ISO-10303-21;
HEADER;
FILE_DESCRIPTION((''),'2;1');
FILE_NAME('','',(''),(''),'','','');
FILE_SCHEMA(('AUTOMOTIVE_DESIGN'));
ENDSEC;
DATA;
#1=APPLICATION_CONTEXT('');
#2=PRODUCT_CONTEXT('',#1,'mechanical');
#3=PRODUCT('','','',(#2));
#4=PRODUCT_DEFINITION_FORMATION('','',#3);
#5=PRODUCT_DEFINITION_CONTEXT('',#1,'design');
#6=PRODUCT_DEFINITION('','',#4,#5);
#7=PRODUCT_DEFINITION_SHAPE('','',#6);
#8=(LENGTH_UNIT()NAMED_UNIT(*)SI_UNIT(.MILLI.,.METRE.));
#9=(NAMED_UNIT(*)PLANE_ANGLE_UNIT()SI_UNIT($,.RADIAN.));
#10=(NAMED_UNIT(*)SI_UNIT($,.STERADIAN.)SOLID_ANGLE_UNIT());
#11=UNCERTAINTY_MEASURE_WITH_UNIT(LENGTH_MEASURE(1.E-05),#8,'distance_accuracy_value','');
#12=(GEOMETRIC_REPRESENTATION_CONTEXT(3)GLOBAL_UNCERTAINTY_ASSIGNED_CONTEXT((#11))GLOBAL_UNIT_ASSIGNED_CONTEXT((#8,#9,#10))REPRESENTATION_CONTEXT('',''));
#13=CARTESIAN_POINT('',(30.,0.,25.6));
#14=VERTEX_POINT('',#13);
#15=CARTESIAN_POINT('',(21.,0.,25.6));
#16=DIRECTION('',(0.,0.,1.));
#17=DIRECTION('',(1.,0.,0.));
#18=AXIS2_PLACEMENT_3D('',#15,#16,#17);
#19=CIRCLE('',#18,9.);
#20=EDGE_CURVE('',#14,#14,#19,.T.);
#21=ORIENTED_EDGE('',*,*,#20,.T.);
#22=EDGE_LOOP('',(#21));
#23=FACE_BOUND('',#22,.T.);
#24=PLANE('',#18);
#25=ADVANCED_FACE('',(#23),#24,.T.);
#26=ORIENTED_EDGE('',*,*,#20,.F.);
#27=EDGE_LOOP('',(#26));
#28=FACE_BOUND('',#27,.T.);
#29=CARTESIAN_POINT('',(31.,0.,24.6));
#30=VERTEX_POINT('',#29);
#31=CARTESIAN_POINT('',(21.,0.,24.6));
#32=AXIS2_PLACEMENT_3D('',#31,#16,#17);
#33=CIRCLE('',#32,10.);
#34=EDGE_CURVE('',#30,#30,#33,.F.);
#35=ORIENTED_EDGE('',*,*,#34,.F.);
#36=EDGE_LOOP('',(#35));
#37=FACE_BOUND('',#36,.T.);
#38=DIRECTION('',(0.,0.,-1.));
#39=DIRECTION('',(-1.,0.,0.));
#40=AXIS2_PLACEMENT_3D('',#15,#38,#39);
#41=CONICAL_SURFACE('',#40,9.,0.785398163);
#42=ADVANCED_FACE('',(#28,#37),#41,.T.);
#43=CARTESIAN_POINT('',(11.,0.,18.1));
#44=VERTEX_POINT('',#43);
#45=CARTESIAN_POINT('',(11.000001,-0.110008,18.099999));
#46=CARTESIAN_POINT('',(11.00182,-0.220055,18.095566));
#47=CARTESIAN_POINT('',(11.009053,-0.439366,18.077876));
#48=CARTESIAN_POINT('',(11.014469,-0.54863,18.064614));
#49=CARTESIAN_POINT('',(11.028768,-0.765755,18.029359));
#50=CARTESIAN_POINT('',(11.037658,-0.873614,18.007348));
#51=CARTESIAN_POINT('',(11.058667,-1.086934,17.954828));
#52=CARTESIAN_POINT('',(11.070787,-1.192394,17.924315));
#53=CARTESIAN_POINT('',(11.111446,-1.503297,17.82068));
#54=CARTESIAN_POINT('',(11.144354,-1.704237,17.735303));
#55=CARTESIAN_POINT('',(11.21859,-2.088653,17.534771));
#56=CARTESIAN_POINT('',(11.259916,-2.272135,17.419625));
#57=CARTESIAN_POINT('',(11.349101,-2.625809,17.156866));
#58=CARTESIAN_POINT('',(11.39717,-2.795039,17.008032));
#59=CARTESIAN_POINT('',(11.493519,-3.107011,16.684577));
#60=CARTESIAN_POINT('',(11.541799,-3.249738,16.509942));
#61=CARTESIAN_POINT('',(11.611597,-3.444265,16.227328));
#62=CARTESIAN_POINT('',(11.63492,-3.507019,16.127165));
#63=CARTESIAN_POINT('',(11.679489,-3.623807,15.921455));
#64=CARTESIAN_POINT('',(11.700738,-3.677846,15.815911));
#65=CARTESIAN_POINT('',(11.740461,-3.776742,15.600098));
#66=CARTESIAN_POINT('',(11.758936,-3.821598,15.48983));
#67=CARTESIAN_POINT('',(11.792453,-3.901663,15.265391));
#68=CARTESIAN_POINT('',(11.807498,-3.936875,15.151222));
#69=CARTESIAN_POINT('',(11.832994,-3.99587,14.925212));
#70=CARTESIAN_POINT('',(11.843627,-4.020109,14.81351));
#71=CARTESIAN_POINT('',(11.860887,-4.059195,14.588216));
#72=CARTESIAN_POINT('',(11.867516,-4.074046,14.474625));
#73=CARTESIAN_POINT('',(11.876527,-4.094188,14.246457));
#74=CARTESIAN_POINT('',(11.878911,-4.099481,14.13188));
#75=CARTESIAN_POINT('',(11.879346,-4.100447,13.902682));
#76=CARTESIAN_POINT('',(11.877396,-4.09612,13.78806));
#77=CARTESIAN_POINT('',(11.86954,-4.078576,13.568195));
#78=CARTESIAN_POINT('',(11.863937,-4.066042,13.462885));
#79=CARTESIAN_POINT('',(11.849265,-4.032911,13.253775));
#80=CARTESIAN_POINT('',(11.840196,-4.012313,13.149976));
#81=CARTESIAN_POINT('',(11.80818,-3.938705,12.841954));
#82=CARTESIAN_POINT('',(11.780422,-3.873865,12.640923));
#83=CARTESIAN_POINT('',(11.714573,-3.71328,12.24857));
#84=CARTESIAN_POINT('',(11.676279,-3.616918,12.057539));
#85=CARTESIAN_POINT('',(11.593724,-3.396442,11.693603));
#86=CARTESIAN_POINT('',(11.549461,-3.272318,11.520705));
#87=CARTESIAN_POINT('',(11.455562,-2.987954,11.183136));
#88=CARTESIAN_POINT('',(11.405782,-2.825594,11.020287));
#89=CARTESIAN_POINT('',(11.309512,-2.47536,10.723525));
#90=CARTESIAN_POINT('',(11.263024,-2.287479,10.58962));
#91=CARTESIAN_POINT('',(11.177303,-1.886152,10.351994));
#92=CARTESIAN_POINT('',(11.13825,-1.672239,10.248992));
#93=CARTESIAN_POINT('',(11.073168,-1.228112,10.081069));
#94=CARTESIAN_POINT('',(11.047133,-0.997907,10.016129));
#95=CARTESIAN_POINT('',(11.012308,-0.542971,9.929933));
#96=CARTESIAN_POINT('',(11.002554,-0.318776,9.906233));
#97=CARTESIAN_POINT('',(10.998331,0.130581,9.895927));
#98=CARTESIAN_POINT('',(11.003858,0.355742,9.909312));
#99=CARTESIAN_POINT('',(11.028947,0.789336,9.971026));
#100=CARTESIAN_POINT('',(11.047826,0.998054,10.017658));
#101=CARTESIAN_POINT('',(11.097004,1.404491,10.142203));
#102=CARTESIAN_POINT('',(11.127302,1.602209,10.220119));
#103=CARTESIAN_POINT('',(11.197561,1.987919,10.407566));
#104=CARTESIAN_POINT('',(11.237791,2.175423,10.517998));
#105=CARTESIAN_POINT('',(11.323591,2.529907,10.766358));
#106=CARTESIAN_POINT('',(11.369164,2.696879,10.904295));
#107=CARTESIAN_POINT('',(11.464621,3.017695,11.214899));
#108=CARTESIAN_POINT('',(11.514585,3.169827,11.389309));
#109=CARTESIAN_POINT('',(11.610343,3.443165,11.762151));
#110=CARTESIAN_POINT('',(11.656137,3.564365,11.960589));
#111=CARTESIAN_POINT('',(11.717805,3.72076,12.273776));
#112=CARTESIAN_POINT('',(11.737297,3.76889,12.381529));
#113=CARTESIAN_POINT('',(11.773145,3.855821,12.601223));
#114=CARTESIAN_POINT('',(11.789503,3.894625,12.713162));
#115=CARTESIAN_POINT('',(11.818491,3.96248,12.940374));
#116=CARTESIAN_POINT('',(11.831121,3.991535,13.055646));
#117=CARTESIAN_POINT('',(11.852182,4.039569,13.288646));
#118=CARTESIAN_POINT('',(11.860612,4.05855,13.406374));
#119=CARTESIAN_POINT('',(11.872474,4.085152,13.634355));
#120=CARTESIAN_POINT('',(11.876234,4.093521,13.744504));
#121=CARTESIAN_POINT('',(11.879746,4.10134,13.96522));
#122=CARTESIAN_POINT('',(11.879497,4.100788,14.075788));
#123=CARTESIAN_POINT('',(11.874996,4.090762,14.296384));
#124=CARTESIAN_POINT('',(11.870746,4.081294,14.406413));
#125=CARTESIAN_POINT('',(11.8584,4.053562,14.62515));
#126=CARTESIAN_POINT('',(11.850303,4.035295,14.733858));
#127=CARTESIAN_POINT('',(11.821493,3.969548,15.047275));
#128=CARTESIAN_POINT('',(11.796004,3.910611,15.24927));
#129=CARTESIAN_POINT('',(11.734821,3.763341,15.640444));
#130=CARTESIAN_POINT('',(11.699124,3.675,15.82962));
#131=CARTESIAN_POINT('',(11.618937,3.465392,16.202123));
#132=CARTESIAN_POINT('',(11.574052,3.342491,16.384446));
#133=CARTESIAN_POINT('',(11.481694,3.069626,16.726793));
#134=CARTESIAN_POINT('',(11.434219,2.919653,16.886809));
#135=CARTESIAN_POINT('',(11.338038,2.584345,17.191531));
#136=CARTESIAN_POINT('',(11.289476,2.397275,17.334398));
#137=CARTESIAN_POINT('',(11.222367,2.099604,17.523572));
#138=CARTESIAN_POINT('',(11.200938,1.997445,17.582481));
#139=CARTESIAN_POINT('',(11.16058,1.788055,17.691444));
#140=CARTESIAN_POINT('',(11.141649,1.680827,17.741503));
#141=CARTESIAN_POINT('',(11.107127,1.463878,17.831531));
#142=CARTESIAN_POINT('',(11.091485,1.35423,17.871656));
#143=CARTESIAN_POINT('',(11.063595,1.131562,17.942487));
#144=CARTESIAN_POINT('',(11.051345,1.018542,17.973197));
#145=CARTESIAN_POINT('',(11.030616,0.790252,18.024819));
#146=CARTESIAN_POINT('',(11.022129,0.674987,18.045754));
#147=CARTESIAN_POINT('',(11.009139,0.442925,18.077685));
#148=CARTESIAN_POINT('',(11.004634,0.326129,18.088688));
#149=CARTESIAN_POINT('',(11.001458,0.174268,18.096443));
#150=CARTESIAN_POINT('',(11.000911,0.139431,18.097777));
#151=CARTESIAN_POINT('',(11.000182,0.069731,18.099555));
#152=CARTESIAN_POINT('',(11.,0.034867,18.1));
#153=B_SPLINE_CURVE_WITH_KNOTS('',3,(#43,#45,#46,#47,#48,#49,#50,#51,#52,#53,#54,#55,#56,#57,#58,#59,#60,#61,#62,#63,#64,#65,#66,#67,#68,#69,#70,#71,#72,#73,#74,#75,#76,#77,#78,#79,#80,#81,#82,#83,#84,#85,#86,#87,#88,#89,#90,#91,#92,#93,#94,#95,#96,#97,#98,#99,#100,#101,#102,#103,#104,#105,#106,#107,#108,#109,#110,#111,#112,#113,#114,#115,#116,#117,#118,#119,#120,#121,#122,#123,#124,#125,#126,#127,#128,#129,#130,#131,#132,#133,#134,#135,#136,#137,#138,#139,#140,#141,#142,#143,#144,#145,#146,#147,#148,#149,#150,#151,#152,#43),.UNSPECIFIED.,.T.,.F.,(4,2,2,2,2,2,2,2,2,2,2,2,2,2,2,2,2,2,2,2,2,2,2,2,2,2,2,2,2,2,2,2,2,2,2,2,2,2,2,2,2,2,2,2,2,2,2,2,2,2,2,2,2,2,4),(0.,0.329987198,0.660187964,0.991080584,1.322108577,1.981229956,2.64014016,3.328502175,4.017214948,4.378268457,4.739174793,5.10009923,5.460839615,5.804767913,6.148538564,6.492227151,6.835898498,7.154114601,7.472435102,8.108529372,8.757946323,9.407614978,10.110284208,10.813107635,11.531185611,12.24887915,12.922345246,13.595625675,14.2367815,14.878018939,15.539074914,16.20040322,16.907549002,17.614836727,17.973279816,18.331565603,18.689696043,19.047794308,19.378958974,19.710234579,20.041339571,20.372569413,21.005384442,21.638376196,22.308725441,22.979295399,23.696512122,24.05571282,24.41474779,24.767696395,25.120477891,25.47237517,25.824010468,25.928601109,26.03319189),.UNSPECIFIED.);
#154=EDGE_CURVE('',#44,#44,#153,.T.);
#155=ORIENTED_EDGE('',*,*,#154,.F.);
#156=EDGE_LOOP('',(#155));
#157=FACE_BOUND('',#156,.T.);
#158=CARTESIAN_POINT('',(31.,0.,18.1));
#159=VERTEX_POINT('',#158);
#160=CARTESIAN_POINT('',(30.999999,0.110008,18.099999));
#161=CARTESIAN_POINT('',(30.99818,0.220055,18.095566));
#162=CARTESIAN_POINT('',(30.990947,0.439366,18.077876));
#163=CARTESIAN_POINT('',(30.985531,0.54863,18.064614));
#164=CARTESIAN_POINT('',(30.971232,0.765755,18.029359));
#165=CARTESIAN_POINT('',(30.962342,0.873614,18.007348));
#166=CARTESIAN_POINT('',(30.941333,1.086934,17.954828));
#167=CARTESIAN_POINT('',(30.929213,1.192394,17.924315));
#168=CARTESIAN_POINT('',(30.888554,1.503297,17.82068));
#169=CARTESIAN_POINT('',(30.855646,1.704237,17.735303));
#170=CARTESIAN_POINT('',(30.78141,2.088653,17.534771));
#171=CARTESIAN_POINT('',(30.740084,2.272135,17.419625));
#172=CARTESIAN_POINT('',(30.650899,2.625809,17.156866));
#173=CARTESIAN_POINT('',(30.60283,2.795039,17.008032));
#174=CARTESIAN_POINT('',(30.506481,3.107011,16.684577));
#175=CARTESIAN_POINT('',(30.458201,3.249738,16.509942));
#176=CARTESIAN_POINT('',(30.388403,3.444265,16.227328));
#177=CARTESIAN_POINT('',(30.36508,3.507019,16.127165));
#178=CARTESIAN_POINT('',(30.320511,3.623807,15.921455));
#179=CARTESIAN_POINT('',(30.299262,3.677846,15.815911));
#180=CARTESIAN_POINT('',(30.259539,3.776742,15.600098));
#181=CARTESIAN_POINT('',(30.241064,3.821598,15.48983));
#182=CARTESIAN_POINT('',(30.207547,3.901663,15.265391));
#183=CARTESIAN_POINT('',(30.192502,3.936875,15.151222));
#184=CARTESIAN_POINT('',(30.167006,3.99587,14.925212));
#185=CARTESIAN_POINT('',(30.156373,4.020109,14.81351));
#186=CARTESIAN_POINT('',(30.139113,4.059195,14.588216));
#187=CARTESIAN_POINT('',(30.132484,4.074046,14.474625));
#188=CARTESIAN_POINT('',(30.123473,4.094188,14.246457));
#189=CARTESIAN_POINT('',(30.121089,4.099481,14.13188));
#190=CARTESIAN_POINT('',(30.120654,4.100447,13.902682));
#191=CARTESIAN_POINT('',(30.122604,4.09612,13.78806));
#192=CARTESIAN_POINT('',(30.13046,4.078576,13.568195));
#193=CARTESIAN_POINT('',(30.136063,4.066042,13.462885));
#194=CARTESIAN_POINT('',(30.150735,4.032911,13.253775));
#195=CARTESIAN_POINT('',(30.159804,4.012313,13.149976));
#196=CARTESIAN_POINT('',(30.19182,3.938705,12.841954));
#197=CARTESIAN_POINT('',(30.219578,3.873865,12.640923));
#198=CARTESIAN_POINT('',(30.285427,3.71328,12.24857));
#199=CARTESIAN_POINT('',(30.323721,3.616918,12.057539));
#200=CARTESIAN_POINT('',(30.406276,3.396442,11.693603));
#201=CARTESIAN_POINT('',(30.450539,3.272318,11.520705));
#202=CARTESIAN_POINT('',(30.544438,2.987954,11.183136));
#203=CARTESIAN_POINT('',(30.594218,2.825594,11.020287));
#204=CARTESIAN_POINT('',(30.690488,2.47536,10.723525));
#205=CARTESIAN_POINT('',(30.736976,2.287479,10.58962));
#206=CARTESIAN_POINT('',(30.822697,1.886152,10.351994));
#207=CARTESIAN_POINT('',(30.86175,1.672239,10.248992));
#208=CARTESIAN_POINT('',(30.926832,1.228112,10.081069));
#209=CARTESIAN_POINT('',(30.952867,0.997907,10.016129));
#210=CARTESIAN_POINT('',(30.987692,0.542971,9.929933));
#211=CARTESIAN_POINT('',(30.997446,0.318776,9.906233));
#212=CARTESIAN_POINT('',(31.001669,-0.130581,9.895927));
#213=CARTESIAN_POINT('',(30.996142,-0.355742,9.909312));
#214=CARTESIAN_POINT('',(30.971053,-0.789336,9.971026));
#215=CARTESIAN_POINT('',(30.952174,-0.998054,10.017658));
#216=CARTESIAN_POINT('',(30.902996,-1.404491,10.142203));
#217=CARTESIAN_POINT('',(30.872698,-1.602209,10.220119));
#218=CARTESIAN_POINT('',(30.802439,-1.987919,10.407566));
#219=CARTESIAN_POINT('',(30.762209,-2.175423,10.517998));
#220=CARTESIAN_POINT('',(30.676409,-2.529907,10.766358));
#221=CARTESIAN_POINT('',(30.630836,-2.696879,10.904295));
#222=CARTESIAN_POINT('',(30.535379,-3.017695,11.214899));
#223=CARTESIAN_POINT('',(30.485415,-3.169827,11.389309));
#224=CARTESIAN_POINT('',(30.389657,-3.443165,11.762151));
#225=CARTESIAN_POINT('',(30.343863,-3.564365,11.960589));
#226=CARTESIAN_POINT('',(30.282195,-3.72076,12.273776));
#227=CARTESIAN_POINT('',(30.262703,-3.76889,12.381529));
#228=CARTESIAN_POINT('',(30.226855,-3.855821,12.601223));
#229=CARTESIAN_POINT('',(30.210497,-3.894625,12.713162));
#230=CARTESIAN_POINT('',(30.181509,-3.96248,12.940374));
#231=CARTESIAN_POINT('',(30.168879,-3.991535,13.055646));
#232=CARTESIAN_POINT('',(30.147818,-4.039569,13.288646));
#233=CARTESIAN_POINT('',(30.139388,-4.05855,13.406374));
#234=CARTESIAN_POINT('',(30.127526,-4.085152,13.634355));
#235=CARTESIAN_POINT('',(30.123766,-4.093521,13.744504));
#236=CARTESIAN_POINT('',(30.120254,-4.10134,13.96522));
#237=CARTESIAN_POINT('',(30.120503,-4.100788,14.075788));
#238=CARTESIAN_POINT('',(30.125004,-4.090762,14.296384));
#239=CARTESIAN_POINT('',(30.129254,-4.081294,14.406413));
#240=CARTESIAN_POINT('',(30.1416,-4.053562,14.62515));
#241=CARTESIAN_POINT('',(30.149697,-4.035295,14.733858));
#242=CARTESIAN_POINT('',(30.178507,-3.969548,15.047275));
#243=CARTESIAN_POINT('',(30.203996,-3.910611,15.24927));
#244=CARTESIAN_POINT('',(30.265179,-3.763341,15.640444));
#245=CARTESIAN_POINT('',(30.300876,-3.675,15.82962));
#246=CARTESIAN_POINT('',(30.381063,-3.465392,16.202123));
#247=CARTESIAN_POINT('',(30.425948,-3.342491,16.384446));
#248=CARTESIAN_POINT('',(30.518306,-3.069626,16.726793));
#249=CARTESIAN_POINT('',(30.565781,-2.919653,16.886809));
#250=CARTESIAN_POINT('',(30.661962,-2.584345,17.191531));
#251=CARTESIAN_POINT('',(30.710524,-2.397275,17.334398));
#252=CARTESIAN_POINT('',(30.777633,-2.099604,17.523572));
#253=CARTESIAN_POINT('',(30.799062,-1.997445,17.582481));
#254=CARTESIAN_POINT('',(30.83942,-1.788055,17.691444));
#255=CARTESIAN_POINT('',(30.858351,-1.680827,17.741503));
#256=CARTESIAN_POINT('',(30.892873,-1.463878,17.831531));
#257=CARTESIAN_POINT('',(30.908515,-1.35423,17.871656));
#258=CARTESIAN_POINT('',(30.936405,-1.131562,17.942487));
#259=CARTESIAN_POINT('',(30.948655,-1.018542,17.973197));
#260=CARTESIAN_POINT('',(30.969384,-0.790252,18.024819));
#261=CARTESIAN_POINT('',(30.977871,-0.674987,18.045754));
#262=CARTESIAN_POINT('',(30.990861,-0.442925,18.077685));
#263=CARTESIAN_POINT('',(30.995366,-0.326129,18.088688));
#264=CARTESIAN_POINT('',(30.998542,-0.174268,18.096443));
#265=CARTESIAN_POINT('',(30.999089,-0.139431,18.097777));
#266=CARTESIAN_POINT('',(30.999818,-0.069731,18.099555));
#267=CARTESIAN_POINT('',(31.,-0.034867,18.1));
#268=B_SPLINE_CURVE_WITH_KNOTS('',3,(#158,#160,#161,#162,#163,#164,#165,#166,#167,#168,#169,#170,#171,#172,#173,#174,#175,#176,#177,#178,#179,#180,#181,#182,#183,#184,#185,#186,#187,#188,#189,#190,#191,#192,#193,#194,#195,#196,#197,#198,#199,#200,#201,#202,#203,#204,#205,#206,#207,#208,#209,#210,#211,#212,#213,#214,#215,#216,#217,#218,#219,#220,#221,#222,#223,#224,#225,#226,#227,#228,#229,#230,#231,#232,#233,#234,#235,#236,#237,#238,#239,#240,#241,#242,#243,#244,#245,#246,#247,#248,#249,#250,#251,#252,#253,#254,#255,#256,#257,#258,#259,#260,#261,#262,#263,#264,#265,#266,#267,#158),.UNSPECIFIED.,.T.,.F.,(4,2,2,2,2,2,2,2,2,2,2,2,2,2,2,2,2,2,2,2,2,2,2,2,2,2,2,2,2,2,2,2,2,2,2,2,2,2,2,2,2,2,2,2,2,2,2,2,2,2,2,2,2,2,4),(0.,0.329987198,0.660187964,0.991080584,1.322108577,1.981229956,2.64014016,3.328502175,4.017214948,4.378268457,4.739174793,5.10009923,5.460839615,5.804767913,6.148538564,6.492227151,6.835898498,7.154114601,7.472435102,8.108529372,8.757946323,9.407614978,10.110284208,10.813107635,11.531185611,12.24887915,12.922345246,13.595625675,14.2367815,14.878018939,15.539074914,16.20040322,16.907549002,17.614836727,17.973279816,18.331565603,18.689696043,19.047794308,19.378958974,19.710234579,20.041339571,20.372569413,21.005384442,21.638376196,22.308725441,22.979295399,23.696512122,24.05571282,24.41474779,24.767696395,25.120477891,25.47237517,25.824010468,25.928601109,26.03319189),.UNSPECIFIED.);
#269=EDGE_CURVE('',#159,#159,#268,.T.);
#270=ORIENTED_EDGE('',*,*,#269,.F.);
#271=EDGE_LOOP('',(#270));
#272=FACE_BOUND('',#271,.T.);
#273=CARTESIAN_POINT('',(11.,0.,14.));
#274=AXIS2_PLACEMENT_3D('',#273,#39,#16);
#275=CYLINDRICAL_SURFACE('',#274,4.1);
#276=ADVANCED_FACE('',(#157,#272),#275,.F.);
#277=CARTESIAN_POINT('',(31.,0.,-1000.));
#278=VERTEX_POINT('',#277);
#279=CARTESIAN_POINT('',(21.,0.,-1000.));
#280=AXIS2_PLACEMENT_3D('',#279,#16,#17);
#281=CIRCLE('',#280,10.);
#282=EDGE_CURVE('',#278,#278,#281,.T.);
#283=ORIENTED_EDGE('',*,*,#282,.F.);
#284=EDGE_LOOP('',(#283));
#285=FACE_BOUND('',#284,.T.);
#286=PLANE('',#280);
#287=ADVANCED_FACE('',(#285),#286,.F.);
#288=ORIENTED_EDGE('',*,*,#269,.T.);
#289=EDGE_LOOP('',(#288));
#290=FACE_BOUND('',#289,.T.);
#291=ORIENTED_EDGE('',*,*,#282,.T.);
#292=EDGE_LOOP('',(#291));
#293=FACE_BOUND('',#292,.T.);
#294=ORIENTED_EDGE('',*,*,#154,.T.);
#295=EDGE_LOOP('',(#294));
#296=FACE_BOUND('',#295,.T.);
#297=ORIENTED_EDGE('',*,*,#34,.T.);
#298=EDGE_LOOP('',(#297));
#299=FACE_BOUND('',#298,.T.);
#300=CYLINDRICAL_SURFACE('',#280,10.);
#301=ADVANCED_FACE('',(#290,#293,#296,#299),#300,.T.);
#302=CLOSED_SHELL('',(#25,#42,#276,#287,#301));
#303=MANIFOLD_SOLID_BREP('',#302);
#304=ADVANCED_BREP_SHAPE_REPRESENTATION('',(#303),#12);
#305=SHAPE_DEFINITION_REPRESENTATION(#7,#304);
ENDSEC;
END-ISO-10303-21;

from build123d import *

# Parameters (mm, degrees)
EXTRUDE_1_DEPTH          = 25.6
EXTRUDE_1_DEPTH_BACK     = 1000
SKETCH_1_R               = 10
CUT_EXTRUDE_1_DEPTH      = 1001.530359359
CUT_EXTRUDE_1_DEPTH_BACK = 1001.530359359
SKETCH_2_R               = 4.1
CHAMFER_1_SIZE           = 1


with BuildPart() as part:
    # Эскиз1 → Бобышка-Вытянуть1 (new, two sides: drawn at the far end of the back side and taken through both)
    with BuildSketch(Plane.XY.offset(-EXTRUDE_1_DEPTH_BACK)):
        with Locations((21, 0)):
            Circle(SKETCH_1_R)
    extrude(amount=EXTRUDE_1_DEPTH + EXTRUDE_1_DEPTH_BACK)

    # Эскиз2 → Вырез-Вытянуть1 (cut, two sides: drawn at the far end of the back side and taken through both)
    with BuildSketch(Plane(origin=(0, 0, 0), x_dir=(0, 0, -1), z_dir=(1, 0, 0)).offset(-CUT_EXTRUDE_1_DEPTH_BACK)):
        with Locations(Location((-14, 0, 0), (0, 0, 180))):
            Circle(SKETCH_2_R)
    extrude(amount=CUT_EXTRUDE_1_DEPTH + CUT_EXTRUDE_1_DEPTH_BACK, mode=Mode.SUBTRACT)

    # Фаска1
    chamfer_1_edges = [part.edges().sort_by_distance(p)[0] for p in [
        (11, 0, 25.6),
    ]]
    chamfer(chamfer_1_edges, length=CHAMFER_1_SIZE)


solid = part.part
